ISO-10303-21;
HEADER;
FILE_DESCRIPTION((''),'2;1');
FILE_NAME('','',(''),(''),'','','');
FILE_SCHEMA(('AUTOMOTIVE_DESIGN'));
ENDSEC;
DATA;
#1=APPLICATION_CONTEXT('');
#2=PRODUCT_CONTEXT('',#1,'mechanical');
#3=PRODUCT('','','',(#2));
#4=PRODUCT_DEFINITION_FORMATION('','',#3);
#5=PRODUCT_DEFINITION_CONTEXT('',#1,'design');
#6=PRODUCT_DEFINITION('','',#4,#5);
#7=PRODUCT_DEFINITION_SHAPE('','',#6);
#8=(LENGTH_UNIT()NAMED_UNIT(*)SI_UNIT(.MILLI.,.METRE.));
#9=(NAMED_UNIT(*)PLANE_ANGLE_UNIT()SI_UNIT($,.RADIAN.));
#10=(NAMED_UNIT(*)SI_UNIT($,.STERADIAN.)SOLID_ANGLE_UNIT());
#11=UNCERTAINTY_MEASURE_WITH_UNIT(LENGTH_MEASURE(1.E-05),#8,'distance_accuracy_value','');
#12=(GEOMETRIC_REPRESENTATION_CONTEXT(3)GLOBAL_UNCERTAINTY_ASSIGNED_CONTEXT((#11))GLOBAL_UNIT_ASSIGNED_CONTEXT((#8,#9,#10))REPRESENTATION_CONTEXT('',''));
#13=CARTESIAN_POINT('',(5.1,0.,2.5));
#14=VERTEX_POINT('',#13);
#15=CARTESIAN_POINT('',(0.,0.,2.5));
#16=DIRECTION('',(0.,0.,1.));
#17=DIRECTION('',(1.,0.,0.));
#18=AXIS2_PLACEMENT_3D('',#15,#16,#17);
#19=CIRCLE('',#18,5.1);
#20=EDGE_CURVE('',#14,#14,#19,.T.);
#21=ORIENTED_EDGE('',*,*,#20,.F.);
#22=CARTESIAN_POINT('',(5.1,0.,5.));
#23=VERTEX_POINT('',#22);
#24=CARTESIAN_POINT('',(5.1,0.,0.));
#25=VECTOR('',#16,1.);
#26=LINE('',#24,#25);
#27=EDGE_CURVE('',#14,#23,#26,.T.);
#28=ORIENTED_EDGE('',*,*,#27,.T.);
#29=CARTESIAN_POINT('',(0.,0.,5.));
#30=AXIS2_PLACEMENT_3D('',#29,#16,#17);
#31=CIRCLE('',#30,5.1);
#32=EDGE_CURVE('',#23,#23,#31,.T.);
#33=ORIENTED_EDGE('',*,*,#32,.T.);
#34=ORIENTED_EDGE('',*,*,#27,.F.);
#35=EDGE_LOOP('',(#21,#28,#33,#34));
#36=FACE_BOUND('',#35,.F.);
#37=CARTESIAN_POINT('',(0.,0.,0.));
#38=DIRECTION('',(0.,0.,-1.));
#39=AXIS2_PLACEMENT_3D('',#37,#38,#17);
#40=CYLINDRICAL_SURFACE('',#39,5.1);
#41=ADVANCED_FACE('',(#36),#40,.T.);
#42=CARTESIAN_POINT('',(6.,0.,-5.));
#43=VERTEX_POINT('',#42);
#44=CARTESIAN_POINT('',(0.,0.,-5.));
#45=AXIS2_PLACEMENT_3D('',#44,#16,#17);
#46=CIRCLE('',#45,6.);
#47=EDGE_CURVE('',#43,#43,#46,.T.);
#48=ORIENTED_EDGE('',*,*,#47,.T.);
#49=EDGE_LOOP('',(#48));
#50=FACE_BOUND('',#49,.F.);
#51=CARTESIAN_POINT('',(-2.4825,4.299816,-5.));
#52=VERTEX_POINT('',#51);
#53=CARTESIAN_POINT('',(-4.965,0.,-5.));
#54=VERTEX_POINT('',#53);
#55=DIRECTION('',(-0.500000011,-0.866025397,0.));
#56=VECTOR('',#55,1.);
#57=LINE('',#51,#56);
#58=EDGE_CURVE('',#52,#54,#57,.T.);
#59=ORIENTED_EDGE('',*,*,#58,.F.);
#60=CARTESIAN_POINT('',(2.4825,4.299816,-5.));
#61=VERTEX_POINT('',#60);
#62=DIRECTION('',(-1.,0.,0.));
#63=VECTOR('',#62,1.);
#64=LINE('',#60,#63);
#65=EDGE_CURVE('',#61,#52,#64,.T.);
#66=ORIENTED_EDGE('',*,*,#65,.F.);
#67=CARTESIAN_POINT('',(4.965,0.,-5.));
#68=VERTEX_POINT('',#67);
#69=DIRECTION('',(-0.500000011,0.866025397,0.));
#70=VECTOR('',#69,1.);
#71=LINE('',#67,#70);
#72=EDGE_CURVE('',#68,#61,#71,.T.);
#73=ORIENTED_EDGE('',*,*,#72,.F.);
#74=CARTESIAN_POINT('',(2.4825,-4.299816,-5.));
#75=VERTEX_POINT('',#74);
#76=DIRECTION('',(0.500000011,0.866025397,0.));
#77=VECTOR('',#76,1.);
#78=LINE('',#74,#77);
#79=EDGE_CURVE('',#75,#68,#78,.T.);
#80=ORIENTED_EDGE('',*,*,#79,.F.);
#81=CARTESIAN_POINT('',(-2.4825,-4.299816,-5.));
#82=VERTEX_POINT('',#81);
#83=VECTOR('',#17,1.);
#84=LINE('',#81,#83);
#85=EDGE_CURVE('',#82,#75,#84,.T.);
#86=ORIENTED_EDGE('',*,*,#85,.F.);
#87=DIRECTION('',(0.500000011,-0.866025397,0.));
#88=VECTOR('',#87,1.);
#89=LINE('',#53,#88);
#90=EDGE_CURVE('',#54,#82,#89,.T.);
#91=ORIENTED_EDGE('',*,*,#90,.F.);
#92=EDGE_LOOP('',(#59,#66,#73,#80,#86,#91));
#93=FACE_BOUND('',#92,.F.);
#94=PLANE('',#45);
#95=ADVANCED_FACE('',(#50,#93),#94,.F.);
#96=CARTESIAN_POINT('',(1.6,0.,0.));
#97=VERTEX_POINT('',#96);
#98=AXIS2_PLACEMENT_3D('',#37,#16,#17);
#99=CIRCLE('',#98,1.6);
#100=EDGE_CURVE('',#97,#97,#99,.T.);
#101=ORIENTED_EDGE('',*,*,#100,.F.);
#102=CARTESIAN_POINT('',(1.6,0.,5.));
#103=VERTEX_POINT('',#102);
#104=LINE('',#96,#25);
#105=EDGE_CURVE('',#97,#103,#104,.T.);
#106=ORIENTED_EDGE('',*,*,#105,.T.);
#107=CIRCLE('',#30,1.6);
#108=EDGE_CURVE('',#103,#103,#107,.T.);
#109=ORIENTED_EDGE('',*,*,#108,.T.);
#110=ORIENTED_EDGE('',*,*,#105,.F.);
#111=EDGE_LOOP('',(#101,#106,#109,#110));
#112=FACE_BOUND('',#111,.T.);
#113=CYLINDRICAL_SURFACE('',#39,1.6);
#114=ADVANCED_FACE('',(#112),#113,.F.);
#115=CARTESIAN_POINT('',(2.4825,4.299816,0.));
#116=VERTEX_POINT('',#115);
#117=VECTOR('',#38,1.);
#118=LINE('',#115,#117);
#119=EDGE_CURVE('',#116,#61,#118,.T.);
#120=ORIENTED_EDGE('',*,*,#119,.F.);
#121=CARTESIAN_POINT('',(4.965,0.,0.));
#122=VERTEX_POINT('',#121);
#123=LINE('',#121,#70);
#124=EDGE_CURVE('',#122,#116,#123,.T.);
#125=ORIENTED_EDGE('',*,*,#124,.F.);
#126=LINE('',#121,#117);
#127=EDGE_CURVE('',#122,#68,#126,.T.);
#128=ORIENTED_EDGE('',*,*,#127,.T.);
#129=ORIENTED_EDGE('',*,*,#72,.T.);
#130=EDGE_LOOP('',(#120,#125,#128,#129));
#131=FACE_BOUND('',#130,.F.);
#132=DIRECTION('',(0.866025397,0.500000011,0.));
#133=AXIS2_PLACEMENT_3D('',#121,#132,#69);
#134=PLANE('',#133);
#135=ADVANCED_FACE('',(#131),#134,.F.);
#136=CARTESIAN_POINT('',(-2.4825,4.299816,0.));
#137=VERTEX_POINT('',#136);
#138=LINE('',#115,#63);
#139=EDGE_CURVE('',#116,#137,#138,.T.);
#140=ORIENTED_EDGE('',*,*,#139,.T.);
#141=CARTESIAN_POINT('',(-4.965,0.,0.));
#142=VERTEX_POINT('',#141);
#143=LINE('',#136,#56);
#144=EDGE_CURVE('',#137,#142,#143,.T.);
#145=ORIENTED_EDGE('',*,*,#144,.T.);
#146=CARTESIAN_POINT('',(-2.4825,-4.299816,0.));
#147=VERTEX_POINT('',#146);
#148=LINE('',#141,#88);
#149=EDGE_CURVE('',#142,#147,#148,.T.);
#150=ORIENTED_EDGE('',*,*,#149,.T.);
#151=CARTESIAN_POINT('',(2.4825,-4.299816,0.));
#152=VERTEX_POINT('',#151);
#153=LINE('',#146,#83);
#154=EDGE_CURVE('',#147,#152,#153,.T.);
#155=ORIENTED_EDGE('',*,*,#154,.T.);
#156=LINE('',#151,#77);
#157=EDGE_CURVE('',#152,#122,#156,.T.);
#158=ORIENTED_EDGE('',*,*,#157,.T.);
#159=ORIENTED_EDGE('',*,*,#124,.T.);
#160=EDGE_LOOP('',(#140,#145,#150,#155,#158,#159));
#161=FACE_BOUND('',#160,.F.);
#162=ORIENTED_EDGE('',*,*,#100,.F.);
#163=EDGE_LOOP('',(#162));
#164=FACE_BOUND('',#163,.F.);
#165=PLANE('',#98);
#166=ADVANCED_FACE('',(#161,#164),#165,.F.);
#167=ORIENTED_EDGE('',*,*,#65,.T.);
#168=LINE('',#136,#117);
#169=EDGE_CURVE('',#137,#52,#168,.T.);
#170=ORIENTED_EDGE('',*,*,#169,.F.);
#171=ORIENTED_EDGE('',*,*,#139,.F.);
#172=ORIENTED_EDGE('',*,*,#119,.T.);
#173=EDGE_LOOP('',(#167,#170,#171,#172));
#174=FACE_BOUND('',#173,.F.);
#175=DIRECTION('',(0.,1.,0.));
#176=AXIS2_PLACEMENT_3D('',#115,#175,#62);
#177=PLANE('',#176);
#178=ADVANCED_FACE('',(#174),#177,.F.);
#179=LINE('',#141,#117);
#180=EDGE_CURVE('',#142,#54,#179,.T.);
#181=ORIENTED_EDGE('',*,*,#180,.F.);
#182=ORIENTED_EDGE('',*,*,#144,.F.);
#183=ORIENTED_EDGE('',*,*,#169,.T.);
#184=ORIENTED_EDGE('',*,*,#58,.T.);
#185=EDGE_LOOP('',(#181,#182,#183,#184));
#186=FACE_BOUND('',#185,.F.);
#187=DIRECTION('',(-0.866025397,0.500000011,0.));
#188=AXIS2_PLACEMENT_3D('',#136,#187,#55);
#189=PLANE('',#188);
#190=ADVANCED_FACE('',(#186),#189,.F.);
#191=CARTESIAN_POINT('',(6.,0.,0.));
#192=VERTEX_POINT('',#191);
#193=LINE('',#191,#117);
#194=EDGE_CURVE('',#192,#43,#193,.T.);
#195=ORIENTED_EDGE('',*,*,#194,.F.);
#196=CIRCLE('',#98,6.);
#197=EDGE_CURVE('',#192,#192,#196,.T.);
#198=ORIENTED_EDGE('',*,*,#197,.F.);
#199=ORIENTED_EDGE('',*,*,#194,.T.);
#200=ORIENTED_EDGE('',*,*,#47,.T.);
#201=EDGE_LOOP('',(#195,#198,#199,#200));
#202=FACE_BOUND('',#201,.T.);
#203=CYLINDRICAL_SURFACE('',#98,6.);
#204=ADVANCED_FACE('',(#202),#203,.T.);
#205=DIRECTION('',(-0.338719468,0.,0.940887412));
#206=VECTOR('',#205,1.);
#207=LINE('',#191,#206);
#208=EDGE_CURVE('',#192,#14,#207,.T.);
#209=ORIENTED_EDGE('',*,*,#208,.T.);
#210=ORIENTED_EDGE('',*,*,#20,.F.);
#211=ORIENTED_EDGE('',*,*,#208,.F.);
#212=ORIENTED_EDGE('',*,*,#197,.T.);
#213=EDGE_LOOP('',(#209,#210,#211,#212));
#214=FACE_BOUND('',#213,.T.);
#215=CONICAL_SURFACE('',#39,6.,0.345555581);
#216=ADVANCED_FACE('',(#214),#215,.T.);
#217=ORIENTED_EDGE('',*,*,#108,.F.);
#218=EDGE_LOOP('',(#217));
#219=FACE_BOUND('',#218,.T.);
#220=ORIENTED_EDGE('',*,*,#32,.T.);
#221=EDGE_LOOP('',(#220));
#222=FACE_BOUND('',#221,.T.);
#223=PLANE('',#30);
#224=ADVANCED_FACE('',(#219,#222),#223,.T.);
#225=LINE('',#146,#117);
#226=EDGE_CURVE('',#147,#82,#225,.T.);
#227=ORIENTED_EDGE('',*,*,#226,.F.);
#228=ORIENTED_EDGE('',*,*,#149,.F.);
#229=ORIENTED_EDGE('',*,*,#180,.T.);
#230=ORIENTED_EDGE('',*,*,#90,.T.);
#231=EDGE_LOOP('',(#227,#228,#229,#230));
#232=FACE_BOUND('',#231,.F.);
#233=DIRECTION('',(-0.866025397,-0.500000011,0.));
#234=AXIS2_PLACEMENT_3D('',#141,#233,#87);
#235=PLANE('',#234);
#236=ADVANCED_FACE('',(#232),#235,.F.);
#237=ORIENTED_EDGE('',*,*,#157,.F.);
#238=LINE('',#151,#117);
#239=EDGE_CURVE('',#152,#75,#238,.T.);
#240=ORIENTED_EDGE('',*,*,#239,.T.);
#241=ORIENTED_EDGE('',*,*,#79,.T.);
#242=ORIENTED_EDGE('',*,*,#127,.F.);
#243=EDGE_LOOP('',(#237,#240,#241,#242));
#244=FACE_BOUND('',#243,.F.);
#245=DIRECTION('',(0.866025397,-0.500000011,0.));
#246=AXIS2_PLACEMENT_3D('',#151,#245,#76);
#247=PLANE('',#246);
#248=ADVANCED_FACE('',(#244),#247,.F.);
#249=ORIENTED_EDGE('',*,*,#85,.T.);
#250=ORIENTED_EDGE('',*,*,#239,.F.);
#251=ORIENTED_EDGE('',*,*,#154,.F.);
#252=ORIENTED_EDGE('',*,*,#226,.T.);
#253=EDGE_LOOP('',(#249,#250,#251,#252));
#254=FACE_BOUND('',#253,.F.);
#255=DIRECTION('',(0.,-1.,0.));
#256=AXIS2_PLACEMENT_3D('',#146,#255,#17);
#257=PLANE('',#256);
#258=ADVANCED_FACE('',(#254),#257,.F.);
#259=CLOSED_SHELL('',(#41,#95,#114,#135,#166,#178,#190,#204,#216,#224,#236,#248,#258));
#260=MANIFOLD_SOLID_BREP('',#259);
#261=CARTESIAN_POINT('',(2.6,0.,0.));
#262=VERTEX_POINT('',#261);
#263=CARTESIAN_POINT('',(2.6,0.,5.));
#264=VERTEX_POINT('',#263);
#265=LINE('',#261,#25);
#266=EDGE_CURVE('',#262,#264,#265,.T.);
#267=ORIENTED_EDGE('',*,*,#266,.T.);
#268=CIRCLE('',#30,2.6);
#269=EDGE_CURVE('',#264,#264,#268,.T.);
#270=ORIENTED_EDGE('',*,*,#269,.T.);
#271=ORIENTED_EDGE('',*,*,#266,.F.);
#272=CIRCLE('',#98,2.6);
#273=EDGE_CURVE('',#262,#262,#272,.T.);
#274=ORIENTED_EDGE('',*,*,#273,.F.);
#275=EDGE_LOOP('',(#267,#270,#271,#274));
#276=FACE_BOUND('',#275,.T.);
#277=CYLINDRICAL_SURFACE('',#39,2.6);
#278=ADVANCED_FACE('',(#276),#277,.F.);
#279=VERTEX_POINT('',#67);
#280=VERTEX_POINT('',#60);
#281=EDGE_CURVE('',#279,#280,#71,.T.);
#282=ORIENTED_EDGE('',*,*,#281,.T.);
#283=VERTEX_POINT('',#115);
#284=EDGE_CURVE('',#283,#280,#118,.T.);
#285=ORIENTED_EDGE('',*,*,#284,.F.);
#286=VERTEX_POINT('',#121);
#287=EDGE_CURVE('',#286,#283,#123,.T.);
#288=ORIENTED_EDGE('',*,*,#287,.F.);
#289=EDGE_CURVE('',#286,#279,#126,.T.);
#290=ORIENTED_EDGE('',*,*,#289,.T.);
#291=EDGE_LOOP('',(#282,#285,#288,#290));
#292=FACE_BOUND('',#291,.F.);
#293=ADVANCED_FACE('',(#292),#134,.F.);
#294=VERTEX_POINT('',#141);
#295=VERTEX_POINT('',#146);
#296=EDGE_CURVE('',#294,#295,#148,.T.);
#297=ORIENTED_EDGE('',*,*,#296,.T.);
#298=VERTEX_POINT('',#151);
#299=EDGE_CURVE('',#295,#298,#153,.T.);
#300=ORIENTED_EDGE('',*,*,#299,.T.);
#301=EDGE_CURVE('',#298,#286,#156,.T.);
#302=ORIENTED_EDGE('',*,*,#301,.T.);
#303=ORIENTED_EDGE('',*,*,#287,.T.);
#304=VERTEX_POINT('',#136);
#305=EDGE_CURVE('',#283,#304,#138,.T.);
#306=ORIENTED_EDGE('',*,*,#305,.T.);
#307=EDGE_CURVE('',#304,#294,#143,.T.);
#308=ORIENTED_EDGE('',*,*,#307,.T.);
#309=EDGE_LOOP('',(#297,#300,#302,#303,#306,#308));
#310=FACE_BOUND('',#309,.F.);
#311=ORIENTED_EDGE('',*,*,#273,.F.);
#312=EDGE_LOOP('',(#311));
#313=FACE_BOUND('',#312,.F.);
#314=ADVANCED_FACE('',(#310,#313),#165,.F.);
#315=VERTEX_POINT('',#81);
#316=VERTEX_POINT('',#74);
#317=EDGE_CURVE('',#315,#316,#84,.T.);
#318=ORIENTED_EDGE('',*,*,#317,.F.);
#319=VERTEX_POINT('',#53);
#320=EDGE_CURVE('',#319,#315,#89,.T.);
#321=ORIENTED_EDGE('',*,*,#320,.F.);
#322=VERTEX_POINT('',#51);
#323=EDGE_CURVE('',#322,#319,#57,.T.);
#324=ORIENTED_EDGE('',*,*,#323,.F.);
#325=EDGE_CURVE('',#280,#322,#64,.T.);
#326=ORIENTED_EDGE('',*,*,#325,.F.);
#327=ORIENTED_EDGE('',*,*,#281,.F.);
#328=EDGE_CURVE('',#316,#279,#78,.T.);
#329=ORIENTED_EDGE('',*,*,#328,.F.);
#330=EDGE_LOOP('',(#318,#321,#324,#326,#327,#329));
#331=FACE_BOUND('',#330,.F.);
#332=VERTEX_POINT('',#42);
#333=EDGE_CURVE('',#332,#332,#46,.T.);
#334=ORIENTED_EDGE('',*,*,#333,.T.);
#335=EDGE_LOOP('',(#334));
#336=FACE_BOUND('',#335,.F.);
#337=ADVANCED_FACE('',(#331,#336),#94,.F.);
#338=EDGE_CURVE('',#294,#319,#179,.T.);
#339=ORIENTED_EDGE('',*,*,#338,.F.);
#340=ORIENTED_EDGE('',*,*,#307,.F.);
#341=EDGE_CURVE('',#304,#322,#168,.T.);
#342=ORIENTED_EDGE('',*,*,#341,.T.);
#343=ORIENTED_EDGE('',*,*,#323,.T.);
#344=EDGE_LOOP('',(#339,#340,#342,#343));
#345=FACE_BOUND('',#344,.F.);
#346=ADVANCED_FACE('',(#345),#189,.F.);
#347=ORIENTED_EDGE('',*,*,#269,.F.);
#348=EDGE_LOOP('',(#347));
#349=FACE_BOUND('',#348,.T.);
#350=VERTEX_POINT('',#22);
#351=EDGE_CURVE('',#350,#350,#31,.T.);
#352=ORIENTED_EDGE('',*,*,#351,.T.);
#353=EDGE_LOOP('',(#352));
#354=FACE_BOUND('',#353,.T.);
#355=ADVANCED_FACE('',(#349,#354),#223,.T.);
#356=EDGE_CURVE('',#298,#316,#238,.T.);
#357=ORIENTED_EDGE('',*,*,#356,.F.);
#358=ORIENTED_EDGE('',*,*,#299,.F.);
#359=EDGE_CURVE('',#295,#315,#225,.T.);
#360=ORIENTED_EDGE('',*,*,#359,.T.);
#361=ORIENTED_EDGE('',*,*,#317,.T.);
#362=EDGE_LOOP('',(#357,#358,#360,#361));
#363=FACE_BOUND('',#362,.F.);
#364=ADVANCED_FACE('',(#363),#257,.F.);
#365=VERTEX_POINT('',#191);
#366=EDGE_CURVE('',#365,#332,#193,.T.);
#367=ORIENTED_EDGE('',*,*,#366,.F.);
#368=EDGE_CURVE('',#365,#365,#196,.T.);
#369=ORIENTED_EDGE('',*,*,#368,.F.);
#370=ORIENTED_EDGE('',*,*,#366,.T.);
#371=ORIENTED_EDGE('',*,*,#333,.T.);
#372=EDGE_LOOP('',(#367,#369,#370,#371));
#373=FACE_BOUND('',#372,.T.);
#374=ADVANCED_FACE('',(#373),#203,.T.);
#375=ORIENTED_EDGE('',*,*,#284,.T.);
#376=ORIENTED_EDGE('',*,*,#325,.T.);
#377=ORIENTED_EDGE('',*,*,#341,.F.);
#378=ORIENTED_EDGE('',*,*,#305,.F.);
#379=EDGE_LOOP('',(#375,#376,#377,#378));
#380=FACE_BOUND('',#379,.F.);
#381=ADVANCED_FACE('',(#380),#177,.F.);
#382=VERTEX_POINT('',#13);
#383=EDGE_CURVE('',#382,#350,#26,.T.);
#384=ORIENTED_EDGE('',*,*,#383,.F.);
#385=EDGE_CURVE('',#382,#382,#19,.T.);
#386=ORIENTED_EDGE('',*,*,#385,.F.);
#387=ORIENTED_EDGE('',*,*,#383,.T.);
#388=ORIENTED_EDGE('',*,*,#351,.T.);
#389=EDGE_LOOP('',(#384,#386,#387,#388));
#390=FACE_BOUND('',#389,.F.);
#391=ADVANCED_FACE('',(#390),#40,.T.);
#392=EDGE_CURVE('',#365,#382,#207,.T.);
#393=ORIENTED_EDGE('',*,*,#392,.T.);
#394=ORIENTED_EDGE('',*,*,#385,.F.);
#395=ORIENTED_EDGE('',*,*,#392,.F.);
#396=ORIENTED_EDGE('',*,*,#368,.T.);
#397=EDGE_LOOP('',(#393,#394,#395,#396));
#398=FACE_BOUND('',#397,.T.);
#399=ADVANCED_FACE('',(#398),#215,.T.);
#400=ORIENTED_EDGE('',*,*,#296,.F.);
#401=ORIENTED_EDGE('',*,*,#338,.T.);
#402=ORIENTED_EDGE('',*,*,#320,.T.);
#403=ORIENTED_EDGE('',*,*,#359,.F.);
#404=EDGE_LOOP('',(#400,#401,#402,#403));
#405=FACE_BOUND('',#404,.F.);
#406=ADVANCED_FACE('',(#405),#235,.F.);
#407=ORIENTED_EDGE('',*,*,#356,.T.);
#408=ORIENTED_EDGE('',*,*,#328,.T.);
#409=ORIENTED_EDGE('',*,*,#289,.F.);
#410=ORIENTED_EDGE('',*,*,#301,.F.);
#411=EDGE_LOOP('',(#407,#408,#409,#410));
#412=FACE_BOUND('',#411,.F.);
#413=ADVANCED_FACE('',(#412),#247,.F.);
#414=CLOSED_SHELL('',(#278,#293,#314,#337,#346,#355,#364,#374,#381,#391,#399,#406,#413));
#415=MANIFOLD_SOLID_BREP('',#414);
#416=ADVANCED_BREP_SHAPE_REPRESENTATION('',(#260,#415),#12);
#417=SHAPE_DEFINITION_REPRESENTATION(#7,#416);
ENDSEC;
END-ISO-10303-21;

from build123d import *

# Parameters (mm, degrees)
SKETCH_R      = 5.1
SKETCH_R_2    = 1.6
PAD_DEPTH     = 5
SKETCH001_R   = 6
PAD001_DEPTH  = 5
SKETCH003_R   = 5.1
SKETCH003_R_2 = 2.6
PAD002_DEPTH  = 5
SKETCH004_R   = 6
PAD003_DEPTH  = 5


with BuildPart() as body:
    # Sketch → Pad (new body)
    with BuildSketch(Plane.XY):
        Circle(SKETCH_R)
        Circle(SKETCH_R_2, mode=Mode.SUBTRACT)
    extrude(amount=PAD_DEPTH)

    # Sketch001 → Pad001 (join)
    with BuildSketch(Plane.XY):
        Circle(SKETCH001_R)
        Polygon((2.4825, 4.299816), (-2.4825, 4.299816), (-4.965, 0), (-2.4825, -4.299816), (2.4825, -4.299816), (4.965, 0), align=None, mode=Mode.SUBTRACT)
    extrude(amount=-PAD001_DEPTH)

    # Sketch002 → Revolution (revolve)
    with BuildSketch(Plane.XZ):
        Polygon((6, 0), (5.1, 2.5), (5.1, 0), align=None)
    revolve(axis=Axis((0, 0, 0), (0, 0, 1)))


with BuildPart() as body001:
    # Sketch003 → Pad002 (new body)
    with BuildSketch(Plane.XY):
        Circle(SKETCH003_R)
        Circle(SKETCH003_R_2, mode=Mode.SUBTRACT)
    extrude(amount=PAD002_DEPTH)

    # Sketch004 → Pad003 (join)
    with BuildSketch(Plane.XY):
        Circle(SKETCH004_R)
        Polygon((2.4825, 4.299816), (-2.4825, 4.299816), (-4.965, 0), (-2.4825, -4.299816), (2.4825, -4.299816), (4.965, 0), align=None, mode=Mode.SUBTRACT)
    extrude(amount=-PAD003_DEPTH)

    # Sketch005 → Revolution001 (revolve)
    with BuildSketch(Plane.XZ):
        Polygon((6, 0), (5.1, 2.5), (5.1, 0), align=None)
    revolve(axis=Axis((0, 0, 0), (0, 0, 1)))


solid = Compound([body.part, body001.part])
